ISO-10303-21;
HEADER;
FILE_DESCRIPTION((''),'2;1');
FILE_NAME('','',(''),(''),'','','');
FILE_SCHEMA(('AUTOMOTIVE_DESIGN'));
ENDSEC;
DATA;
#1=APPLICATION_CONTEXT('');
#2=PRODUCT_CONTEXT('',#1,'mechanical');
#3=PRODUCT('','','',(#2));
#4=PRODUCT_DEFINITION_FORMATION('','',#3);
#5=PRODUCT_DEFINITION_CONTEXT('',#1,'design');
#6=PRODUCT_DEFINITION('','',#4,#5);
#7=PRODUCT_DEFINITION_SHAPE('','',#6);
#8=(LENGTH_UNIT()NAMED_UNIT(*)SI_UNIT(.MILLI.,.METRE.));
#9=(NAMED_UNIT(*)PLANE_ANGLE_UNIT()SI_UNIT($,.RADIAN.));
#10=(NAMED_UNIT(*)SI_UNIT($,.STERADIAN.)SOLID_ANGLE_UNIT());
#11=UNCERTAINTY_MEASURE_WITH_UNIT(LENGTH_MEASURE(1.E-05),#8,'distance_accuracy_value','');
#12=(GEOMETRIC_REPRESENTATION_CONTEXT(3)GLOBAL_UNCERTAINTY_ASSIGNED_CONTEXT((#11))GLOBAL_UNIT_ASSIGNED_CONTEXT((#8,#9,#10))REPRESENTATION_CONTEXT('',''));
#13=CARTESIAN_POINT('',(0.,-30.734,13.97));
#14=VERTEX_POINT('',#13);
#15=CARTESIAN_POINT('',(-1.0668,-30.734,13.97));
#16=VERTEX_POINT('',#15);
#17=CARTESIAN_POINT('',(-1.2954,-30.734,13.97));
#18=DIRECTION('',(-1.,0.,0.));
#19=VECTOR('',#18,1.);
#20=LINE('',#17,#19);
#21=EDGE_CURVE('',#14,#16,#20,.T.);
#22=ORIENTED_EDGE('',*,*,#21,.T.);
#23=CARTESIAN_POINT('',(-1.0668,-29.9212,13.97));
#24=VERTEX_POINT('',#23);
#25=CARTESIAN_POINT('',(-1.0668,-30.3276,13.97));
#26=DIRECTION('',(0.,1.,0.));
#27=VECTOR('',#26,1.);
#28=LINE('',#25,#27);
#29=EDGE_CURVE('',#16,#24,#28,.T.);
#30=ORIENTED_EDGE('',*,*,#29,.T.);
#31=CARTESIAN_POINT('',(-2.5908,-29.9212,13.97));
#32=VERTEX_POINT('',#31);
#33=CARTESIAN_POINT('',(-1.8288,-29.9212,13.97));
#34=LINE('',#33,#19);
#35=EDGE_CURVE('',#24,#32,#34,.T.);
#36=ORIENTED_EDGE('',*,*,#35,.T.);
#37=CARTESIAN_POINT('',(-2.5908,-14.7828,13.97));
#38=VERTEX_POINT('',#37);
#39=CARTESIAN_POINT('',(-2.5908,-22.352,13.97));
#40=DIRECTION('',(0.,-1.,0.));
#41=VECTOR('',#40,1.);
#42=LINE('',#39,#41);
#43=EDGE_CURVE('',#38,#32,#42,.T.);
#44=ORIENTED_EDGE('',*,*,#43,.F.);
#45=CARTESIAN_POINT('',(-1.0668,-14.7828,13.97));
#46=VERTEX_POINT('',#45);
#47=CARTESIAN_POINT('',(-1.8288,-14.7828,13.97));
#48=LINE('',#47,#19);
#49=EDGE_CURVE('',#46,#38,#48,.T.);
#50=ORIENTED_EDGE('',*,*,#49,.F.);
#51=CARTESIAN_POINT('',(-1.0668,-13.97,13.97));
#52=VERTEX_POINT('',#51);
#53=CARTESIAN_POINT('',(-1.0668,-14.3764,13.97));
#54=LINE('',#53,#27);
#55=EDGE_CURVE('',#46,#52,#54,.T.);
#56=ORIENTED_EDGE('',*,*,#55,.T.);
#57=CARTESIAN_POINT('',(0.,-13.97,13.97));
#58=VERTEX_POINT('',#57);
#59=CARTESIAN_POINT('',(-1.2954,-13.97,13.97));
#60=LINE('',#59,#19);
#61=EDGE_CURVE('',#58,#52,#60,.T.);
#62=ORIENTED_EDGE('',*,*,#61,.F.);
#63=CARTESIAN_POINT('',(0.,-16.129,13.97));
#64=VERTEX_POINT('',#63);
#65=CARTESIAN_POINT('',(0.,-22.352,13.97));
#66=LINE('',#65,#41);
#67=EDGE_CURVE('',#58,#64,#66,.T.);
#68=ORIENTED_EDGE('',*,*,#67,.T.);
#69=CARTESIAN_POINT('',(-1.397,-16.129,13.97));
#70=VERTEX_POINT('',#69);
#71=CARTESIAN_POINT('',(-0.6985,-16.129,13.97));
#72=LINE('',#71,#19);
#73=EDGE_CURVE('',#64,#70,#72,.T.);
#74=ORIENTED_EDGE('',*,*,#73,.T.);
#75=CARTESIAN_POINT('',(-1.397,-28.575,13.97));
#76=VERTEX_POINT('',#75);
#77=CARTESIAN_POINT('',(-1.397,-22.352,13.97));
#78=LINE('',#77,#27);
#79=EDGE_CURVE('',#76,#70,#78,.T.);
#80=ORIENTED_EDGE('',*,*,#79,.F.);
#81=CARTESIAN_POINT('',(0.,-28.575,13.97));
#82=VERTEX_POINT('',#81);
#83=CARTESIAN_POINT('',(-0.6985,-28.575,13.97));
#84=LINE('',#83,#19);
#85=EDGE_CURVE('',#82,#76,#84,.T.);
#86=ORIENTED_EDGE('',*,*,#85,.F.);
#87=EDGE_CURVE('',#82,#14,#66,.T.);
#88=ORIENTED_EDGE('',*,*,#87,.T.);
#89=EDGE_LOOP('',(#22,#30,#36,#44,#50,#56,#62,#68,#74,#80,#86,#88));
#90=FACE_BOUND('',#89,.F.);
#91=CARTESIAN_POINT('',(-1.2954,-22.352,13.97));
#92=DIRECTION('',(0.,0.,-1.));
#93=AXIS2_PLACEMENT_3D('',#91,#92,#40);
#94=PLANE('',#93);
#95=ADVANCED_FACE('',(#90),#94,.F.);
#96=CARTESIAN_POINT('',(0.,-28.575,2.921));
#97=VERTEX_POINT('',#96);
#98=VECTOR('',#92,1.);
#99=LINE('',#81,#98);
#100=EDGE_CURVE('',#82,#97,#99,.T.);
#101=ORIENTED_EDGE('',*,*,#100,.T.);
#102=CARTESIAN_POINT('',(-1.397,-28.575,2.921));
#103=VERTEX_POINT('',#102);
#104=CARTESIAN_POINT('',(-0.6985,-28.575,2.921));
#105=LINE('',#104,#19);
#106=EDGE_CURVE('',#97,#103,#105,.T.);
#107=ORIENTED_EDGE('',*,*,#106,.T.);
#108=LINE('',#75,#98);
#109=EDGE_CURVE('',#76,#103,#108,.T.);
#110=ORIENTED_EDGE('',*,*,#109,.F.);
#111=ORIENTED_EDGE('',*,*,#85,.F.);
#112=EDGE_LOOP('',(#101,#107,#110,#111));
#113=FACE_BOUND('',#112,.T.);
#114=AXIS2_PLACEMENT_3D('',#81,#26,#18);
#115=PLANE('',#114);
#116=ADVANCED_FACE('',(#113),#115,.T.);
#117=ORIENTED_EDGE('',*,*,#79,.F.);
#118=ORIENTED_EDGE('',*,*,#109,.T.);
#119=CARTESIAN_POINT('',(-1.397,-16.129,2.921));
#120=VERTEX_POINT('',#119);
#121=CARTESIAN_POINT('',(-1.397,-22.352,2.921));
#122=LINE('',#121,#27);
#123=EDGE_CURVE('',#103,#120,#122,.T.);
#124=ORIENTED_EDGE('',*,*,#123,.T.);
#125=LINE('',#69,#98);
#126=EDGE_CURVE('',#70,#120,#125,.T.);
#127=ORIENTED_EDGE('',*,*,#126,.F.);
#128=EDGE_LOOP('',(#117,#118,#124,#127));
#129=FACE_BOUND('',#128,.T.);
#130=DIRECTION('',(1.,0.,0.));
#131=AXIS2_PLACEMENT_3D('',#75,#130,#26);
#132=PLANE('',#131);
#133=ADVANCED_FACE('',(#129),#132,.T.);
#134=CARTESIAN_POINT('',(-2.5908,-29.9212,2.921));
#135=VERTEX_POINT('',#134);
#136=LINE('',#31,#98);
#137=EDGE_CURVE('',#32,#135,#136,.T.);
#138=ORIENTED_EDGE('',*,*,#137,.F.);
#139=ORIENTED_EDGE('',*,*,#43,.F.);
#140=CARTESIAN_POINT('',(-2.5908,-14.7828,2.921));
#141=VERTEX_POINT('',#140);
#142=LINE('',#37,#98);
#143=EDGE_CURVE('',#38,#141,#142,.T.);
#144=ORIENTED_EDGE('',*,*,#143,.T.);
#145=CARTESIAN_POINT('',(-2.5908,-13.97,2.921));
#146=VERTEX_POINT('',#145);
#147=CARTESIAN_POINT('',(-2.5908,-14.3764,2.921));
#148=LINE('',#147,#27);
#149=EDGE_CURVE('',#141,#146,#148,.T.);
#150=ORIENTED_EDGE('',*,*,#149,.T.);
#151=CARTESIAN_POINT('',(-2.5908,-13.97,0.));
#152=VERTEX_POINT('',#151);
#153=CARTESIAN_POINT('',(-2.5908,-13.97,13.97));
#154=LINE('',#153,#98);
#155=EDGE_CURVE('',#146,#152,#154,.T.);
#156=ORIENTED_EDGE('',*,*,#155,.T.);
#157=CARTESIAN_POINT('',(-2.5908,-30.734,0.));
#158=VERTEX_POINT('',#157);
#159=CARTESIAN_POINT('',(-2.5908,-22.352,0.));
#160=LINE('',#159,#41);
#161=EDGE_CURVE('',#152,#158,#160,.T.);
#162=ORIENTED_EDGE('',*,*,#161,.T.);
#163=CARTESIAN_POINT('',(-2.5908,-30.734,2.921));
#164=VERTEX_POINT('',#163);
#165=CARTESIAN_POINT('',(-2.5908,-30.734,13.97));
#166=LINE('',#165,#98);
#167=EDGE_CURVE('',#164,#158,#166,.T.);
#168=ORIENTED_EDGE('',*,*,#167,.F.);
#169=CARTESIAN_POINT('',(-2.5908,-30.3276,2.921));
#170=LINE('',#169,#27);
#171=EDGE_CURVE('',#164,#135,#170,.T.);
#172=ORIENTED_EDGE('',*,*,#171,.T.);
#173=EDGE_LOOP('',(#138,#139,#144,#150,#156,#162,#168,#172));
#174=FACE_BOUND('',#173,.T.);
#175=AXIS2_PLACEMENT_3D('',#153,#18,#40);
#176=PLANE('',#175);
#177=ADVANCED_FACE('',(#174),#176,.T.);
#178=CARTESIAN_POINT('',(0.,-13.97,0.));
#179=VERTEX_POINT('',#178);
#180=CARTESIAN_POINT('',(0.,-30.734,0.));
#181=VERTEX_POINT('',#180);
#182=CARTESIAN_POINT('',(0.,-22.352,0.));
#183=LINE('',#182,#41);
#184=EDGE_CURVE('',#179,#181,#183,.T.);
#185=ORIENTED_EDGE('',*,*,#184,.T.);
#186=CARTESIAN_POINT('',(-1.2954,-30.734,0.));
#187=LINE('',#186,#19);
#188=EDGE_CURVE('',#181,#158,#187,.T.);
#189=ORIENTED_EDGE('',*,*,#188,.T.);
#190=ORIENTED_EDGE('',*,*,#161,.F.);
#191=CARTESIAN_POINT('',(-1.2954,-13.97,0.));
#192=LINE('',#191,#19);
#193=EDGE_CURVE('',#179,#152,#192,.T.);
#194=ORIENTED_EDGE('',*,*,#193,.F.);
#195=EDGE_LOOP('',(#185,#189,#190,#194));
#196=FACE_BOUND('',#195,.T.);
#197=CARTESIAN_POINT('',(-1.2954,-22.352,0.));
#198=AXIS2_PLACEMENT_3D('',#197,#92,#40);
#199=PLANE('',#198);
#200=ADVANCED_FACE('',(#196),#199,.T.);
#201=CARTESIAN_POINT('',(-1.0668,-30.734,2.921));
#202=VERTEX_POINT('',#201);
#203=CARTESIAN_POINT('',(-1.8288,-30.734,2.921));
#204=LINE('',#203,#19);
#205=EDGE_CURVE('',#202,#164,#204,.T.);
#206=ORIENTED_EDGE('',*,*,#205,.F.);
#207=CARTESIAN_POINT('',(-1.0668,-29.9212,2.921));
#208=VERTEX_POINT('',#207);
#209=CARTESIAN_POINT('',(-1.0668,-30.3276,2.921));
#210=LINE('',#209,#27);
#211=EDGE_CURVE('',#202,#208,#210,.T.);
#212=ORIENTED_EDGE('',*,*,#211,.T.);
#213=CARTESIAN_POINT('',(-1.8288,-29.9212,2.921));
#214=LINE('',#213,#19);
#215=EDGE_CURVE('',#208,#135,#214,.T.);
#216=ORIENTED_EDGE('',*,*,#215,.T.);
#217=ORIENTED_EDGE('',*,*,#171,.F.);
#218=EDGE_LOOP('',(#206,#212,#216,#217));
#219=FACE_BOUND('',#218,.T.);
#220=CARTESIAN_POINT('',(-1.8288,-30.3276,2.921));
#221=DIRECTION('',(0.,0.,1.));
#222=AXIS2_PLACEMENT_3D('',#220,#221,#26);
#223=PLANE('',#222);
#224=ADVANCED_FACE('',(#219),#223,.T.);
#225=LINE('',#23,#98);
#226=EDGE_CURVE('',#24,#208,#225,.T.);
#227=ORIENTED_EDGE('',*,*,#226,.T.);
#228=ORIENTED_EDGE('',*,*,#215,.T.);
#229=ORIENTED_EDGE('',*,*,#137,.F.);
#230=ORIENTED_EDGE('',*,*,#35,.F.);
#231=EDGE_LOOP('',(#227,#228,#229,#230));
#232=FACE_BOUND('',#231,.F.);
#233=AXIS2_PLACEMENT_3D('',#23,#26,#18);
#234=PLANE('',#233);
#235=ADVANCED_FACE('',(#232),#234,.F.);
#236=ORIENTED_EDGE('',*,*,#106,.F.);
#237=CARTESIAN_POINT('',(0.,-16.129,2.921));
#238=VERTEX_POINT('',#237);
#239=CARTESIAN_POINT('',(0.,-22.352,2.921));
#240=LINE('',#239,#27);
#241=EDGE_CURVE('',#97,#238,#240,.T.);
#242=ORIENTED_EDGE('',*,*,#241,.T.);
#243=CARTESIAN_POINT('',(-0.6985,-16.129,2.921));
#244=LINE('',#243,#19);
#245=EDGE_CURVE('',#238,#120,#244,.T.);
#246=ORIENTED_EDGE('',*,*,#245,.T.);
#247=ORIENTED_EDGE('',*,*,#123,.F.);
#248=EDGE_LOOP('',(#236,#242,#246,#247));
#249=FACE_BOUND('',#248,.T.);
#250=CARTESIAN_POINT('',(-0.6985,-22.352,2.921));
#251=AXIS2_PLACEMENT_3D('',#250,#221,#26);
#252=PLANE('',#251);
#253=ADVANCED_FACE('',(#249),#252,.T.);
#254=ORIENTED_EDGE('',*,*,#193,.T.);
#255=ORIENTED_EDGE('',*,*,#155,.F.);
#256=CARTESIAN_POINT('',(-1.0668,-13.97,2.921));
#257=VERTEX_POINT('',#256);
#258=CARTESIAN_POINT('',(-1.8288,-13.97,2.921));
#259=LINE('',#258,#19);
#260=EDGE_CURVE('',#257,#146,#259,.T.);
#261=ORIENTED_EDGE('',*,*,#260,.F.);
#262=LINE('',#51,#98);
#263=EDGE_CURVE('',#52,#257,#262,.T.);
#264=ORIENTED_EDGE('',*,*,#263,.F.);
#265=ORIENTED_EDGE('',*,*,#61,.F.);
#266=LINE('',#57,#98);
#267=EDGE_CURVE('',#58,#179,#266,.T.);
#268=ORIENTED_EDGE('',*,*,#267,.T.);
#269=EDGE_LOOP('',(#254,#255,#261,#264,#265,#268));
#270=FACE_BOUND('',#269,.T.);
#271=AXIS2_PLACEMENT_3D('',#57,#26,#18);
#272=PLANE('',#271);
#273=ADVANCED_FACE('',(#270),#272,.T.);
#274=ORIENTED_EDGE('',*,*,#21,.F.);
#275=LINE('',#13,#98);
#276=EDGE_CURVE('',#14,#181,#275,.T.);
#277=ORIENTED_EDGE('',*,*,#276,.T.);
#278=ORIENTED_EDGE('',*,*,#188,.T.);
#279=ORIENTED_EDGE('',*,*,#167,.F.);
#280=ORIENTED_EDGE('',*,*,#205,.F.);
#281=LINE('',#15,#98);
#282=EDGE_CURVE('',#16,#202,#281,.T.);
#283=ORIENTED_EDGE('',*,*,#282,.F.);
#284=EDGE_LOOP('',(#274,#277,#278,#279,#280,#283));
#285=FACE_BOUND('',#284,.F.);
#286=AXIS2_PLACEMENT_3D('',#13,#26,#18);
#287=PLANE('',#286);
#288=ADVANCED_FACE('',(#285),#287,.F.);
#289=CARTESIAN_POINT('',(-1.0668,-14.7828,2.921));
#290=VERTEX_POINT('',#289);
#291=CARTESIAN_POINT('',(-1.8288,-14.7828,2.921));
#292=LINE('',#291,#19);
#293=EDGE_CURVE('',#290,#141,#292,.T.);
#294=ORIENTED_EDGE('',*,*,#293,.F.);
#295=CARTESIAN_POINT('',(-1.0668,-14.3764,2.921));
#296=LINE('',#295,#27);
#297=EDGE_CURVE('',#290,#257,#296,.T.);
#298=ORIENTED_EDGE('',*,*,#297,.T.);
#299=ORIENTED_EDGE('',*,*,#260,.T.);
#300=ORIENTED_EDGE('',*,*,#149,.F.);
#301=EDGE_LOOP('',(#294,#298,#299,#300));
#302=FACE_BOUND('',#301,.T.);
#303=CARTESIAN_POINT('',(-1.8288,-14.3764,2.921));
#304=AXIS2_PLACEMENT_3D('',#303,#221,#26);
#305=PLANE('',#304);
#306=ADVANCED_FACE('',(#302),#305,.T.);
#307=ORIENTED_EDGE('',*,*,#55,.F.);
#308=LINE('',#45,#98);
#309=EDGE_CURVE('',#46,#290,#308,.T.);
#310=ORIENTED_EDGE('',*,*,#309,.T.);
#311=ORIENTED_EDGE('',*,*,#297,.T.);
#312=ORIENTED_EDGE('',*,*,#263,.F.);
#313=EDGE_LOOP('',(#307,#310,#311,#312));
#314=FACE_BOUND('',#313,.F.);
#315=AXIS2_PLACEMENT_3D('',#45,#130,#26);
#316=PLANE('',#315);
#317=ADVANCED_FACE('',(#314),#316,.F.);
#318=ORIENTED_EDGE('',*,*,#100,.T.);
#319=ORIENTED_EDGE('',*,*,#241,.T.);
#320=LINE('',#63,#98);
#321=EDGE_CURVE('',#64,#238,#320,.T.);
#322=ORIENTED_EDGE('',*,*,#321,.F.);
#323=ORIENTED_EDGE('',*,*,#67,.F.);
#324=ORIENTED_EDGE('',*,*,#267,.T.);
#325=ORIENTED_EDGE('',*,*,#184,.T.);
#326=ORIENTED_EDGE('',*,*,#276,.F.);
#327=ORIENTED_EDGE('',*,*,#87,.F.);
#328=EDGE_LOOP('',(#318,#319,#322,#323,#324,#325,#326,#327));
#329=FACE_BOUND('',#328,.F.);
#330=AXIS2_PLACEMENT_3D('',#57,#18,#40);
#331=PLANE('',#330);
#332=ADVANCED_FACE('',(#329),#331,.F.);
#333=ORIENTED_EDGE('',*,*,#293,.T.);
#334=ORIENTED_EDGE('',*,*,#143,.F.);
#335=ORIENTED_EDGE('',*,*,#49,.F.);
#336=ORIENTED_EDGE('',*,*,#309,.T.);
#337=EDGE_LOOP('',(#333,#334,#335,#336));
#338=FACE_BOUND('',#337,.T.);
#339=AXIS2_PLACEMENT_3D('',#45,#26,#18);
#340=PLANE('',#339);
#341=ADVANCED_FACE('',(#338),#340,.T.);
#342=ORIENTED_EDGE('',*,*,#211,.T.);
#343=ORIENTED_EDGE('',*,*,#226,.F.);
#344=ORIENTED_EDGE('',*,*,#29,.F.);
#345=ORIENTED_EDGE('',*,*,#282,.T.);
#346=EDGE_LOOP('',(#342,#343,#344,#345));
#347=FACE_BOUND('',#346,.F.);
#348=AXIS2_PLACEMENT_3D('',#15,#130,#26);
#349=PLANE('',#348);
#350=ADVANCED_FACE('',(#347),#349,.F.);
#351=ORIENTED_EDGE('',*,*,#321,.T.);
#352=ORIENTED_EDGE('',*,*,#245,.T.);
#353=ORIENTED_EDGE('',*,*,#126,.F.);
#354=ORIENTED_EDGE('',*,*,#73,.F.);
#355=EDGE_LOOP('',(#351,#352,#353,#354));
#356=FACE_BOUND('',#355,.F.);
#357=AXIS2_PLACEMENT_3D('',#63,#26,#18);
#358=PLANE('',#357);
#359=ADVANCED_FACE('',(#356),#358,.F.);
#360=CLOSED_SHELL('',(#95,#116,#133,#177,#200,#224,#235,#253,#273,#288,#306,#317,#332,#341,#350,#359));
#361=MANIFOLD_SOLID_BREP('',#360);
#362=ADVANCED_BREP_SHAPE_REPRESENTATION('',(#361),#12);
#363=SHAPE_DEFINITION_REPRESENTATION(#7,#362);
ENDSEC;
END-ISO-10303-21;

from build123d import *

# Parameters (mm, degrees)
F0_W     = 16.764
F0_H     = 2.5908
F1_DEPTH = 13.97
F2_W     = 0.8128
F2_H     = 1.524
F2_W_2   = 12.446
F2_H_2   = 1.397
F3_DEPTH = 11.049
F4_ANGLE = -90
F5_ANGLE = 90


with BuildPart() as f1:
    # F0 (on Front) → F1 (new body)
    with BuildSketch(Plane.XZ):
        with Locations((8.382, 1.2954)):
            Rectangle(F0_W, F0_H)
    extrude(amount=F1_DEPTH)

    # F2 (on face) → F3 (cut)
    with BuildSketch(Plane(origin=(0, 0, 0), x_dir=(-1, 0, 0), z_dir=(0, 1, 0))):
        with Locations((-16.3576, 1.8288)):
            Rectangle(F2_W, F2_H)
        with Locations((-0.4064, 1.8288)):
            Rectangle(F2_W, F2_H)
        with Locations((-8.382, 0.6985)):
            Rectangle(F2_W_2, F2_H_2)
    extrude(amount=-F3_DEPTH, mode=Mode.SUBTRACT)


with BuildPart() as f1_1:
    # F4: moved
    add(f1.part.rotate(Axis((0, -13.97, 1.2954), (0, 0, 1)), F4_ANGLE))


with BuildPart() as f1_2:
    # F5: moved
    add(f1_1.part.rotate(Axis((0, -22.352, 0), (0, -1, 0)), F5_ANGLE))


solid = f1_2.part
